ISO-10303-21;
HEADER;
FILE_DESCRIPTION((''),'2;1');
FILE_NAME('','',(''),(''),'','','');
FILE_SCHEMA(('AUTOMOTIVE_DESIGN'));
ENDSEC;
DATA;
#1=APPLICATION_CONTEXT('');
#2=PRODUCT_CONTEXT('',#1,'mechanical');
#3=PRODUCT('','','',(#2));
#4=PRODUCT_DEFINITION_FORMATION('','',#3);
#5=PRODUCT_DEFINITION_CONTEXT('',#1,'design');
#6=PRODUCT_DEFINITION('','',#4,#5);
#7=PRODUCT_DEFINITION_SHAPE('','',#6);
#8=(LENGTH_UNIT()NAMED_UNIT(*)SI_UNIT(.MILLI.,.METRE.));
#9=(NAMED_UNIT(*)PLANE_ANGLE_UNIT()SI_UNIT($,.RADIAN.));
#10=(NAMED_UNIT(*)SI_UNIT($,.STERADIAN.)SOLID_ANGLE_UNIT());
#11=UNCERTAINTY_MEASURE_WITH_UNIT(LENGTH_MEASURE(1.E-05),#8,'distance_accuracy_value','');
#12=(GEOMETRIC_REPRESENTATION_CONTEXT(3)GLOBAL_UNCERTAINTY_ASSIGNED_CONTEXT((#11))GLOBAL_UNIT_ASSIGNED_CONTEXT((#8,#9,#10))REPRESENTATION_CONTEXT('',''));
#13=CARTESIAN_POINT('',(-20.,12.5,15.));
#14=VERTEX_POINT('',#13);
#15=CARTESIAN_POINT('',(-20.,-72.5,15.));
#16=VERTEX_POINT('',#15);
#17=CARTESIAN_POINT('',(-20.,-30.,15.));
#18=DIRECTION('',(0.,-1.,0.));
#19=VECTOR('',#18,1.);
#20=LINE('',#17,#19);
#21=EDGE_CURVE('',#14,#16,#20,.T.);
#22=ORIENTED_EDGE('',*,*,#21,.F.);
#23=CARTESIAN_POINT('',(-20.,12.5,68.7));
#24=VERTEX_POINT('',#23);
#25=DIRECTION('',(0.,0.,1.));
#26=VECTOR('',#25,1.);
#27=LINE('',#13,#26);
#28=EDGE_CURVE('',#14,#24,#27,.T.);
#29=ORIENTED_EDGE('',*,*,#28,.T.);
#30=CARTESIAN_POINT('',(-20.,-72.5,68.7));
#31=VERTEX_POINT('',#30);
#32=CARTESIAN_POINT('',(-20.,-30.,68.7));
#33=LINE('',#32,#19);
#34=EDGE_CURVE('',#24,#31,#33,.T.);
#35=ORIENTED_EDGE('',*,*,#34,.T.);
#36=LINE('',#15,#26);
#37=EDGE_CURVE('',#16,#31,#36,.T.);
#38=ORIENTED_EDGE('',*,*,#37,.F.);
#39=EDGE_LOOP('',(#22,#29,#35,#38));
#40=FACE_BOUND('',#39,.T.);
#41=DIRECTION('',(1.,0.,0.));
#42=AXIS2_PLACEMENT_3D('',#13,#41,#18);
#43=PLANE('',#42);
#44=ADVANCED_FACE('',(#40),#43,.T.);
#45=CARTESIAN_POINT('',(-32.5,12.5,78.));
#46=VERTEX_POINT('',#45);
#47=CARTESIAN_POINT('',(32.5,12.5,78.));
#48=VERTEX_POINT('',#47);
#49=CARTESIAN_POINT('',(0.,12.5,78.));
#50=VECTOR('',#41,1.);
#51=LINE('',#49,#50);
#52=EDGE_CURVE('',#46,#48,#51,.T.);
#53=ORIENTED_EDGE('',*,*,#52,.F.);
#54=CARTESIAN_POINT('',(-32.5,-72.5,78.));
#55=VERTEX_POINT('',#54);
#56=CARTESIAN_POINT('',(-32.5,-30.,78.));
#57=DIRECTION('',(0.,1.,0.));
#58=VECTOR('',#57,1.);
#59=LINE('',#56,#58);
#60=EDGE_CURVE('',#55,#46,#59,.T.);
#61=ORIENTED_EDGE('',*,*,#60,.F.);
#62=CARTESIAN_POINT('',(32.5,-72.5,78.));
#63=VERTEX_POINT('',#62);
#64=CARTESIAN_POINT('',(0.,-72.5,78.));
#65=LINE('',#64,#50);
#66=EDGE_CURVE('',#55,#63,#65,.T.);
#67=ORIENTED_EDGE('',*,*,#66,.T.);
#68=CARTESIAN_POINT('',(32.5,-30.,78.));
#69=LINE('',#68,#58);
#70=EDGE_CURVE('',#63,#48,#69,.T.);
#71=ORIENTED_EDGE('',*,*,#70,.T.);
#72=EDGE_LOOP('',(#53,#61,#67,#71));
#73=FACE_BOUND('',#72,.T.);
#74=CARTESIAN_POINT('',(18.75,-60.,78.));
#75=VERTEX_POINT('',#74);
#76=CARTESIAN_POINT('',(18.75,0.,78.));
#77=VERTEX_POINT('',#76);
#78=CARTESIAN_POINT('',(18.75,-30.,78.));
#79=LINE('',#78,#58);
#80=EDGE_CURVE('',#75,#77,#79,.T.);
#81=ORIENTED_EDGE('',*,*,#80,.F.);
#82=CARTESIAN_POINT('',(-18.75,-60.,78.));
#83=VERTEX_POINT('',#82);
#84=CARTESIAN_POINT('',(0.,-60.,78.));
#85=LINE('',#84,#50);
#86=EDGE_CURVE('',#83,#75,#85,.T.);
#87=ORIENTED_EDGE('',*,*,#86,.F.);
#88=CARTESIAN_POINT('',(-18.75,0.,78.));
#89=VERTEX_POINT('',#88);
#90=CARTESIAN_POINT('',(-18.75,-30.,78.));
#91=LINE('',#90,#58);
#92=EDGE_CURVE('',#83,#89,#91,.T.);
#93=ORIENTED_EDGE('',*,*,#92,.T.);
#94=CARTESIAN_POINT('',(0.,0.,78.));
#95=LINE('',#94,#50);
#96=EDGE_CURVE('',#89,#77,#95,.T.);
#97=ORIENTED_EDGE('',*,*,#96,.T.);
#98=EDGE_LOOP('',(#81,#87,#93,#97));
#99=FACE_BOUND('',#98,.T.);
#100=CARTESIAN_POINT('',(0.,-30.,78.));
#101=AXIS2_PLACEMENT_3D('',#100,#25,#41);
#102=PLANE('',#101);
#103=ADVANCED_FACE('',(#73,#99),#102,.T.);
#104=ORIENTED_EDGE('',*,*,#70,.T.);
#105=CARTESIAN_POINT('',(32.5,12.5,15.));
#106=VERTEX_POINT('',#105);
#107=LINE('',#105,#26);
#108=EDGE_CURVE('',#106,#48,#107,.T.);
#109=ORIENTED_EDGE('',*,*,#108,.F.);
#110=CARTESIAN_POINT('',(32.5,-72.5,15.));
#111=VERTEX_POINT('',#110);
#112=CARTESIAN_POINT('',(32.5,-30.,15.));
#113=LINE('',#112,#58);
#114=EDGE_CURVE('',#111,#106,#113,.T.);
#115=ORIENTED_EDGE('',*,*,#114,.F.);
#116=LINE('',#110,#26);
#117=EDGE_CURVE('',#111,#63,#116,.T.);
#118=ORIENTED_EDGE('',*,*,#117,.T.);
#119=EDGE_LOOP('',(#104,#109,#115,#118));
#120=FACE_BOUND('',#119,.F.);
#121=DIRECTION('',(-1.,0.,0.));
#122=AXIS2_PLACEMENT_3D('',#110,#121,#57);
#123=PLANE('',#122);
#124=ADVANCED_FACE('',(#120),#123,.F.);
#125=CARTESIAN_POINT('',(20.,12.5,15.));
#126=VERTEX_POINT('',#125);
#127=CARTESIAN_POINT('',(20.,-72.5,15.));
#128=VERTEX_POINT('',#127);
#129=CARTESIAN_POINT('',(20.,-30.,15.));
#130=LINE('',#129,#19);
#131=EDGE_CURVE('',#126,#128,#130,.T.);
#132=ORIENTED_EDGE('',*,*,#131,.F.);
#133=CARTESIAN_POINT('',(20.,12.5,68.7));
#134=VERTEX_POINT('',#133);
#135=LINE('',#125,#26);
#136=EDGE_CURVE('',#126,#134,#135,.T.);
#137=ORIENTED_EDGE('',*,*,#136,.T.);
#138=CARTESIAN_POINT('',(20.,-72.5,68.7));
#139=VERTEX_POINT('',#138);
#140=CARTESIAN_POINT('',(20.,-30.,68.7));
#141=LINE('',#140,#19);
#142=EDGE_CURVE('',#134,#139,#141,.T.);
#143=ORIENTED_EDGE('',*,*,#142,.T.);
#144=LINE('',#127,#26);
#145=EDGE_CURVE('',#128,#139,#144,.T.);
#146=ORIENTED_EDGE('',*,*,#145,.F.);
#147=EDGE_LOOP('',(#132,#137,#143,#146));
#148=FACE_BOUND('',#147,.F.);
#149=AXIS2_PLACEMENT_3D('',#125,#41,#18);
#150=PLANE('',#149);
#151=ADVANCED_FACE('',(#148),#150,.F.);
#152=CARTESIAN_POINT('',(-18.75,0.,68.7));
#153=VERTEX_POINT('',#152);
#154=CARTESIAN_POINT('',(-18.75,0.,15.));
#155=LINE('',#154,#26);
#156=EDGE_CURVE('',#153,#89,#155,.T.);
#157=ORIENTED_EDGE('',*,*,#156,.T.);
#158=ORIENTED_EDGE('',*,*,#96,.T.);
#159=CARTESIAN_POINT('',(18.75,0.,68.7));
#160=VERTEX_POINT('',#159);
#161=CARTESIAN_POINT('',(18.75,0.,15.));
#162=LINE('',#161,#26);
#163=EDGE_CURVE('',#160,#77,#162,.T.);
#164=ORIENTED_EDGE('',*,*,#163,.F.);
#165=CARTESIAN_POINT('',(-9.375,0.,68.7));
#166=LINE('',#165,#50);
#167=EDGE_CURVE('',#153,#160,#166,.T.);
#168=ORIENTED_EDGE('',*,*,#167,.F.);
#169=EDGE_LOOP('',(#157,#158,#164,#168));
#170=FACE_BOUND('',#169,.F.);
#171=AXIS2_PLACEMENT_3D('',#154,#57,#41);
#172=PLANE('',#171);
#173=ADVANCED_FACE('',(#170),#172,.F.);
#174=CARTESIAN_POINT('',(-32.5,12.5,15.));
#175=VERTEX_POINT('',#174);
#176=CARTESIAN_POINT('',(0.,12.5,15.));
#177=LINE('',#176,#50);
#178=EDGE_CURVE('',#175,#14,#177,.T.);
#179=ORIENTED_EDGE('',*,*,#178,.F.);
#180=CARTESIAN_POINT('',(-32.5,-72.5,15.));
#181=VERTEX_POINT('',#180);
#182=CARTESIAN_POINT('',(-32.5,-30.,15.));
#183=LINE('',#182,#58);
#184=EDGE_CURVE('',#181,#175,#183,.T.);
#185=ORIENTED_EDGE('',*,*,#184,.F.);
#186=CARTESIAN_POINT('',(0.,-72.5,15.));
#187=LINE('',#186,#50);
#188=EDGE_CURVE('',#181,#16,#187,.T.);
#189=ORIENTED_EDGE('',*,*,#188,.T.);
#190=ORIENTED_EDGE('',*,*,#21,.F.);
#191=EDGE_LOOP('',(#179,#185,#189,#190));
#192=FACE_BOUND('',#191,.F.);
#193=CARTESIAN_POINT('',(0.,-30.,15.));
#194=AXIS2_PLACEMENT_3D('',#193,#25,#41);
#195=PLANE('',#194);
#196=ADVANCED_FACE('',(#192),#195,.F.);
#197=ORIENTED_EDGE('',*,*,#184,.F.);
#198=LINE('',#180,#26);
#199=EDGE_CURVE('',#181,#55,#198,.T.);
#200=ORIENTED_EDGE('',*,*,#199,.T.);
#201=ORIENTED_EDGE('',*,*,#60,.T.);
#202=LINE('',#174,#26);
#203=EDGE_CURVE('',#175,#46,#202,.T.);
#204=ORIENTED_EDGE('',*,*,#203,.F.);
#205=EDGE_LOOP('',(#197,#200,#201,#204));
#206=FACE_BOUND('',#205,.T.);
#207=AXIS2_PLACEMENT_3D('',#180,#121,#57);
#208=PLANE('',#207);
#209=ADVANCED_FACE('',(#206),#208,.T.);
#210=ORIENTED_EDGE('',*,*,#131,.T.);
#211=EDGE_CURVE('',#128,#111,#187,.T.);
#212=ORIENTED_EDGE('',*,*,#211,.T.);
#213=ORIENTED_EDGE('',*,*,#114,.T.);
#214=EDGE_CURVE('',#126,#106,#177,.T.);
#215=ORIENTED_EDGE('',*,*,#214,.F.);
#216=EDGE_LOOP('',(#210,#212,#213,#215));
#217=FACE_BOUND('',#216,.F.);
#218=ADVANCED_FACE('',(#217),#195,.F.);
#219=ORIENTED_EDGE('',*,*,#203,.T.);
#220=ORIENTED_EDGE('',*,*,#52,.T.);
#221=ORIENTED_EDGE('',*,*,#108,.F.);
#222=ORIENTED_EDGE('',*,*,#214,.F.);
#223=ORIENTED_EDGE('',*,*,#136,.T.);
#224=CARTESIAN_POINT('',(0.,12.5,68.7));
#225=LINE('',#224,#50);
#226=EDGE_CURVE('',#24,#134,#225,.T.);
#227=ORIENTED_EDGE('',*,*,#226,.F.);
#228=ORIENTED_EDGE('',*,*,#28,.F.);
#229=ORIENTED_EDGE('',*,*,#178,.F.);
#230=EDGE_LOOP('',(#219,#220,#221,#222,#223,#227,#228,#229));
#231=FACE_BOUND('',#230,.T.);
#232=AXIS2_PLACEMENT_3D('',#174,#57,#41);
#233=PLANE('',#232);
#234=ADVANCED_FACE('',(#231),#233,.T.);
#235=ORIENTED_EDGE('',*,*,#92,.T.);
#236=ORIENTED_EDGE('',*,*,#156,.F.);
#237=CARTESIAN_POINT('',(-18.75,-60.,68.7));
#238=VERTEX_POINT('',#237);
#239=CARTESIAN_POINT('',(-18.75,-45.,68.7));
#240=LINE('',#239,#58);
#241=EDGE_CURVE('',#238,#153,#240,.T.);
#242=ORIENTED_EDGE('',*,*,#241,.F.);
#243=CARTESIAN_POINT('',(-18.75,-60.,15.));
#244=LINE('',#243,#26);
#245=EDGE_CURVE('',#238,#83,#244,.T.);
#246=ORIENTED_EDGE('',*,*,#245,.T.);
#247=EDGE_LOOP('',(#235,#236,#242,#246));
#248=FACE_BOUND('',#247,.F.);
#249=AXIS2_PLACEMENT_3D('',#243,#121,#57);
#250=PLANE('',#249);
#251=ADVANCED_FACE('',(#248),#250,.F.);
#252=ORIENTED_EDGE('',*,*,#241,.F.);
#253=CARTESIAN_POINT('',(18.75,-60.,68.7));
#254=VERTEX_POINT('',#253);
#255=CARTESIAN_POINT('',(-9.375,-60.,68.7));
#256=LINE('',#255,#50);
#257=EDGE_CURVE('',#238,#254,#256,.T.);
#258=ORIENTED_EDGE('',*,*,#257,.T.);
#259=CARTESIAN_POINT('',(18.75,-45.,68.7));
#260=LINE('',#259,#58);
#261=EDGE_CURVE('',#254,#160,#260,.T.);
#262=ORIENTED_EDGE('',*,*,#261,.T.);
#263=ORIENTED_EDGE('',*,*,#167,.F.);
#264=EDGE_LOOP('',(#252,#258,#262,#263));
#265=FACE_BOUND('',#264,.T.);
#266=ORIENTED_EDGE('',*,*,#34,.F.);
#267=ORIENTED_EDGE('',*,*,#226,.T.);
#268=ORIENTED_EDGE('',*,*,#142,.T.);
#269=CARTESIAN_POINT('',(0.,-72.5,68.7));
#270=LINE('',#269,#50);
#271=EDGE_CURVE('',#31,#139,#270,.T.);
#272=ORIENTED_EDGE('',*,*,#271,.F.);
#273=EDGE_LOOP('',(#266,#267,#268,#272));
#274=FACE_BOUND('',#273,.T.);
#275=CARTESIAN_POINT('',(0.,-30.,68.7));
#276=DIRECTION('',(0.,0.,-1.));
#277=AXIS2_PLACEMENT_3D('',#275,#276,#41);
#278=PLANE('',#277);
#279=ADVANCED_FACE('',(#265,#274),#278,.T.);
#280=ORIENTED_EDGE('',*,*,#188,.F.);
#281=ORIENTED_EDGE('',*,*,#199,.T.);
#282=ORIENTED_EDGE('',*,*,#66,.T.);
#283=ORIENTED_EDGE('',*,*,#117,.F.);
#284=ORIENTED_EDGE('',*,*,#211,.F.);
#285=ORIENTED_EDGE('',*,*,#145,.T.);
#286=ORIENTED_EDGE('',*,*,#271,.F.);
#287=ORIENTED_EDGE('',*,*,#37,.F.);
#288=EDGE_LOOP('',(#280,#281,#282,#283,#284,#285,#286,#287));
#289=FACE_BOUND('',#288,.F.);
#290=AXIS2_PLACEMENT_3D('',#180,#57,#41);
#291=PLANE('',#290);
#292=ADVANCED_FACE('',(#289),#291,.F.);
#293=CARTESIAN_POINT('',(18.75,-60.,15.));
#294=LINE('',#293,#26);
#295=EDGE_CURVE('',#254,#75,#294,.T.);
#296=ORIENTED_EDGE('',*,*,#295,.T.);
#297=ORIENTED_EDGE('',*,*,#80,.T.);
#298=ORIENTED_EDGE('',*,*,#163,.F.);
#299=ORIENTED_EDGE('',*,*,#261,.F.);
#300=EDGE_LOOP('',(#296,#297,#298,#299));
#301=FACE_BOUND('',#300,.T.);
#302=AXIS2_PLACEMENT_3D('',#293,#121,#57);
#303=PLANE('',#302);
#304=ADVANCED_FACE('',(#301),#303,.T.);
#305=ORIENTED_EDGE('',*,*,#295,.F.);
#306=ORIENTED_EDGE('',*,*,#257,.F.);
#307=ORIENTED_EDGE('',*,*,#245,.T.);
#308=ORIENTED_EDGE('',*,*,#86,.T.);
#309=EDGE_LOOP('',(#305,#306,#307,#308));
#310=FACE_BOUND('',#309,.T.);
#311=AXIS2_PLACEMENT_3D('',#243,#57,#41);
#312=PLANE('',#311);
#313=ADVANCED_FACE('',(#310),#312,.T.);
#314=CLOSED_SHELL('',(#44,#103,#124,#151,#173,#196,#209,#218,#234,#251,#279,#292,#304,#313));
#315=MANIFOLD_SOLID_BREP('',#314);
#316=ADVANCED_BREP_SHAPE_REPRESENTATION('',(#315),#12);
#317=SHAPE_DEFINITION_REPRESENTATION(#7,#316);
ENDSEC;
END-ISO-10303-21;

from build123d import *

# Parameters (mm, degrees)
SKETCH021_W     = 65
SKETCH021_H     = 85
PAD015_DEPTH    = 63
SKETCH022_W     = 40
SKETCH022_H     = 85
POCKET009_DEPTH = 53.7
SKETCH023_W     = 37.5
SKETCH023_H     = 60
POCKET010_DEPTH = 63


with BuildPart() as part:
    # Sketch021 → Pad015 (new body)
    with BuildSketch(Plane.XY):
        with Locations((0, -30)):
            Rectangle(SKETCH021_W, SKETCH021_H)
    extrude(amount=PAD015_DEPTH)

    # Sketch022 (on Face5 of Pad015) → Pocket009 (cut)
    with BuildSketch(Plane(origin=(0, 0, 0), x_dir=(1, 0, 0), z_dir=(0, 0, -1))):
        with Locations((0, 30)):
            Rectangle(SKETCH022_W, SKETCH022_H)
    extrude(amount=-POCKET009_DEPTH, mode=Mode.SUBTRACT)

    # Sketch023 → Pocket010 (cut)
    with BuildSketch(Plane.XY):
        with Locations((0, -30)):
            Rectangle(SKETCH023_W, SKETCH023_H)
    extrude(amount=POCKET010_DEPTH, mode=Mode.SUBTRACT)


with BuildPart() as part_1:
    # Body003 placement: moved
    add(part.part.moved(Location((0, 0, 15))))


solid = part_1.part
